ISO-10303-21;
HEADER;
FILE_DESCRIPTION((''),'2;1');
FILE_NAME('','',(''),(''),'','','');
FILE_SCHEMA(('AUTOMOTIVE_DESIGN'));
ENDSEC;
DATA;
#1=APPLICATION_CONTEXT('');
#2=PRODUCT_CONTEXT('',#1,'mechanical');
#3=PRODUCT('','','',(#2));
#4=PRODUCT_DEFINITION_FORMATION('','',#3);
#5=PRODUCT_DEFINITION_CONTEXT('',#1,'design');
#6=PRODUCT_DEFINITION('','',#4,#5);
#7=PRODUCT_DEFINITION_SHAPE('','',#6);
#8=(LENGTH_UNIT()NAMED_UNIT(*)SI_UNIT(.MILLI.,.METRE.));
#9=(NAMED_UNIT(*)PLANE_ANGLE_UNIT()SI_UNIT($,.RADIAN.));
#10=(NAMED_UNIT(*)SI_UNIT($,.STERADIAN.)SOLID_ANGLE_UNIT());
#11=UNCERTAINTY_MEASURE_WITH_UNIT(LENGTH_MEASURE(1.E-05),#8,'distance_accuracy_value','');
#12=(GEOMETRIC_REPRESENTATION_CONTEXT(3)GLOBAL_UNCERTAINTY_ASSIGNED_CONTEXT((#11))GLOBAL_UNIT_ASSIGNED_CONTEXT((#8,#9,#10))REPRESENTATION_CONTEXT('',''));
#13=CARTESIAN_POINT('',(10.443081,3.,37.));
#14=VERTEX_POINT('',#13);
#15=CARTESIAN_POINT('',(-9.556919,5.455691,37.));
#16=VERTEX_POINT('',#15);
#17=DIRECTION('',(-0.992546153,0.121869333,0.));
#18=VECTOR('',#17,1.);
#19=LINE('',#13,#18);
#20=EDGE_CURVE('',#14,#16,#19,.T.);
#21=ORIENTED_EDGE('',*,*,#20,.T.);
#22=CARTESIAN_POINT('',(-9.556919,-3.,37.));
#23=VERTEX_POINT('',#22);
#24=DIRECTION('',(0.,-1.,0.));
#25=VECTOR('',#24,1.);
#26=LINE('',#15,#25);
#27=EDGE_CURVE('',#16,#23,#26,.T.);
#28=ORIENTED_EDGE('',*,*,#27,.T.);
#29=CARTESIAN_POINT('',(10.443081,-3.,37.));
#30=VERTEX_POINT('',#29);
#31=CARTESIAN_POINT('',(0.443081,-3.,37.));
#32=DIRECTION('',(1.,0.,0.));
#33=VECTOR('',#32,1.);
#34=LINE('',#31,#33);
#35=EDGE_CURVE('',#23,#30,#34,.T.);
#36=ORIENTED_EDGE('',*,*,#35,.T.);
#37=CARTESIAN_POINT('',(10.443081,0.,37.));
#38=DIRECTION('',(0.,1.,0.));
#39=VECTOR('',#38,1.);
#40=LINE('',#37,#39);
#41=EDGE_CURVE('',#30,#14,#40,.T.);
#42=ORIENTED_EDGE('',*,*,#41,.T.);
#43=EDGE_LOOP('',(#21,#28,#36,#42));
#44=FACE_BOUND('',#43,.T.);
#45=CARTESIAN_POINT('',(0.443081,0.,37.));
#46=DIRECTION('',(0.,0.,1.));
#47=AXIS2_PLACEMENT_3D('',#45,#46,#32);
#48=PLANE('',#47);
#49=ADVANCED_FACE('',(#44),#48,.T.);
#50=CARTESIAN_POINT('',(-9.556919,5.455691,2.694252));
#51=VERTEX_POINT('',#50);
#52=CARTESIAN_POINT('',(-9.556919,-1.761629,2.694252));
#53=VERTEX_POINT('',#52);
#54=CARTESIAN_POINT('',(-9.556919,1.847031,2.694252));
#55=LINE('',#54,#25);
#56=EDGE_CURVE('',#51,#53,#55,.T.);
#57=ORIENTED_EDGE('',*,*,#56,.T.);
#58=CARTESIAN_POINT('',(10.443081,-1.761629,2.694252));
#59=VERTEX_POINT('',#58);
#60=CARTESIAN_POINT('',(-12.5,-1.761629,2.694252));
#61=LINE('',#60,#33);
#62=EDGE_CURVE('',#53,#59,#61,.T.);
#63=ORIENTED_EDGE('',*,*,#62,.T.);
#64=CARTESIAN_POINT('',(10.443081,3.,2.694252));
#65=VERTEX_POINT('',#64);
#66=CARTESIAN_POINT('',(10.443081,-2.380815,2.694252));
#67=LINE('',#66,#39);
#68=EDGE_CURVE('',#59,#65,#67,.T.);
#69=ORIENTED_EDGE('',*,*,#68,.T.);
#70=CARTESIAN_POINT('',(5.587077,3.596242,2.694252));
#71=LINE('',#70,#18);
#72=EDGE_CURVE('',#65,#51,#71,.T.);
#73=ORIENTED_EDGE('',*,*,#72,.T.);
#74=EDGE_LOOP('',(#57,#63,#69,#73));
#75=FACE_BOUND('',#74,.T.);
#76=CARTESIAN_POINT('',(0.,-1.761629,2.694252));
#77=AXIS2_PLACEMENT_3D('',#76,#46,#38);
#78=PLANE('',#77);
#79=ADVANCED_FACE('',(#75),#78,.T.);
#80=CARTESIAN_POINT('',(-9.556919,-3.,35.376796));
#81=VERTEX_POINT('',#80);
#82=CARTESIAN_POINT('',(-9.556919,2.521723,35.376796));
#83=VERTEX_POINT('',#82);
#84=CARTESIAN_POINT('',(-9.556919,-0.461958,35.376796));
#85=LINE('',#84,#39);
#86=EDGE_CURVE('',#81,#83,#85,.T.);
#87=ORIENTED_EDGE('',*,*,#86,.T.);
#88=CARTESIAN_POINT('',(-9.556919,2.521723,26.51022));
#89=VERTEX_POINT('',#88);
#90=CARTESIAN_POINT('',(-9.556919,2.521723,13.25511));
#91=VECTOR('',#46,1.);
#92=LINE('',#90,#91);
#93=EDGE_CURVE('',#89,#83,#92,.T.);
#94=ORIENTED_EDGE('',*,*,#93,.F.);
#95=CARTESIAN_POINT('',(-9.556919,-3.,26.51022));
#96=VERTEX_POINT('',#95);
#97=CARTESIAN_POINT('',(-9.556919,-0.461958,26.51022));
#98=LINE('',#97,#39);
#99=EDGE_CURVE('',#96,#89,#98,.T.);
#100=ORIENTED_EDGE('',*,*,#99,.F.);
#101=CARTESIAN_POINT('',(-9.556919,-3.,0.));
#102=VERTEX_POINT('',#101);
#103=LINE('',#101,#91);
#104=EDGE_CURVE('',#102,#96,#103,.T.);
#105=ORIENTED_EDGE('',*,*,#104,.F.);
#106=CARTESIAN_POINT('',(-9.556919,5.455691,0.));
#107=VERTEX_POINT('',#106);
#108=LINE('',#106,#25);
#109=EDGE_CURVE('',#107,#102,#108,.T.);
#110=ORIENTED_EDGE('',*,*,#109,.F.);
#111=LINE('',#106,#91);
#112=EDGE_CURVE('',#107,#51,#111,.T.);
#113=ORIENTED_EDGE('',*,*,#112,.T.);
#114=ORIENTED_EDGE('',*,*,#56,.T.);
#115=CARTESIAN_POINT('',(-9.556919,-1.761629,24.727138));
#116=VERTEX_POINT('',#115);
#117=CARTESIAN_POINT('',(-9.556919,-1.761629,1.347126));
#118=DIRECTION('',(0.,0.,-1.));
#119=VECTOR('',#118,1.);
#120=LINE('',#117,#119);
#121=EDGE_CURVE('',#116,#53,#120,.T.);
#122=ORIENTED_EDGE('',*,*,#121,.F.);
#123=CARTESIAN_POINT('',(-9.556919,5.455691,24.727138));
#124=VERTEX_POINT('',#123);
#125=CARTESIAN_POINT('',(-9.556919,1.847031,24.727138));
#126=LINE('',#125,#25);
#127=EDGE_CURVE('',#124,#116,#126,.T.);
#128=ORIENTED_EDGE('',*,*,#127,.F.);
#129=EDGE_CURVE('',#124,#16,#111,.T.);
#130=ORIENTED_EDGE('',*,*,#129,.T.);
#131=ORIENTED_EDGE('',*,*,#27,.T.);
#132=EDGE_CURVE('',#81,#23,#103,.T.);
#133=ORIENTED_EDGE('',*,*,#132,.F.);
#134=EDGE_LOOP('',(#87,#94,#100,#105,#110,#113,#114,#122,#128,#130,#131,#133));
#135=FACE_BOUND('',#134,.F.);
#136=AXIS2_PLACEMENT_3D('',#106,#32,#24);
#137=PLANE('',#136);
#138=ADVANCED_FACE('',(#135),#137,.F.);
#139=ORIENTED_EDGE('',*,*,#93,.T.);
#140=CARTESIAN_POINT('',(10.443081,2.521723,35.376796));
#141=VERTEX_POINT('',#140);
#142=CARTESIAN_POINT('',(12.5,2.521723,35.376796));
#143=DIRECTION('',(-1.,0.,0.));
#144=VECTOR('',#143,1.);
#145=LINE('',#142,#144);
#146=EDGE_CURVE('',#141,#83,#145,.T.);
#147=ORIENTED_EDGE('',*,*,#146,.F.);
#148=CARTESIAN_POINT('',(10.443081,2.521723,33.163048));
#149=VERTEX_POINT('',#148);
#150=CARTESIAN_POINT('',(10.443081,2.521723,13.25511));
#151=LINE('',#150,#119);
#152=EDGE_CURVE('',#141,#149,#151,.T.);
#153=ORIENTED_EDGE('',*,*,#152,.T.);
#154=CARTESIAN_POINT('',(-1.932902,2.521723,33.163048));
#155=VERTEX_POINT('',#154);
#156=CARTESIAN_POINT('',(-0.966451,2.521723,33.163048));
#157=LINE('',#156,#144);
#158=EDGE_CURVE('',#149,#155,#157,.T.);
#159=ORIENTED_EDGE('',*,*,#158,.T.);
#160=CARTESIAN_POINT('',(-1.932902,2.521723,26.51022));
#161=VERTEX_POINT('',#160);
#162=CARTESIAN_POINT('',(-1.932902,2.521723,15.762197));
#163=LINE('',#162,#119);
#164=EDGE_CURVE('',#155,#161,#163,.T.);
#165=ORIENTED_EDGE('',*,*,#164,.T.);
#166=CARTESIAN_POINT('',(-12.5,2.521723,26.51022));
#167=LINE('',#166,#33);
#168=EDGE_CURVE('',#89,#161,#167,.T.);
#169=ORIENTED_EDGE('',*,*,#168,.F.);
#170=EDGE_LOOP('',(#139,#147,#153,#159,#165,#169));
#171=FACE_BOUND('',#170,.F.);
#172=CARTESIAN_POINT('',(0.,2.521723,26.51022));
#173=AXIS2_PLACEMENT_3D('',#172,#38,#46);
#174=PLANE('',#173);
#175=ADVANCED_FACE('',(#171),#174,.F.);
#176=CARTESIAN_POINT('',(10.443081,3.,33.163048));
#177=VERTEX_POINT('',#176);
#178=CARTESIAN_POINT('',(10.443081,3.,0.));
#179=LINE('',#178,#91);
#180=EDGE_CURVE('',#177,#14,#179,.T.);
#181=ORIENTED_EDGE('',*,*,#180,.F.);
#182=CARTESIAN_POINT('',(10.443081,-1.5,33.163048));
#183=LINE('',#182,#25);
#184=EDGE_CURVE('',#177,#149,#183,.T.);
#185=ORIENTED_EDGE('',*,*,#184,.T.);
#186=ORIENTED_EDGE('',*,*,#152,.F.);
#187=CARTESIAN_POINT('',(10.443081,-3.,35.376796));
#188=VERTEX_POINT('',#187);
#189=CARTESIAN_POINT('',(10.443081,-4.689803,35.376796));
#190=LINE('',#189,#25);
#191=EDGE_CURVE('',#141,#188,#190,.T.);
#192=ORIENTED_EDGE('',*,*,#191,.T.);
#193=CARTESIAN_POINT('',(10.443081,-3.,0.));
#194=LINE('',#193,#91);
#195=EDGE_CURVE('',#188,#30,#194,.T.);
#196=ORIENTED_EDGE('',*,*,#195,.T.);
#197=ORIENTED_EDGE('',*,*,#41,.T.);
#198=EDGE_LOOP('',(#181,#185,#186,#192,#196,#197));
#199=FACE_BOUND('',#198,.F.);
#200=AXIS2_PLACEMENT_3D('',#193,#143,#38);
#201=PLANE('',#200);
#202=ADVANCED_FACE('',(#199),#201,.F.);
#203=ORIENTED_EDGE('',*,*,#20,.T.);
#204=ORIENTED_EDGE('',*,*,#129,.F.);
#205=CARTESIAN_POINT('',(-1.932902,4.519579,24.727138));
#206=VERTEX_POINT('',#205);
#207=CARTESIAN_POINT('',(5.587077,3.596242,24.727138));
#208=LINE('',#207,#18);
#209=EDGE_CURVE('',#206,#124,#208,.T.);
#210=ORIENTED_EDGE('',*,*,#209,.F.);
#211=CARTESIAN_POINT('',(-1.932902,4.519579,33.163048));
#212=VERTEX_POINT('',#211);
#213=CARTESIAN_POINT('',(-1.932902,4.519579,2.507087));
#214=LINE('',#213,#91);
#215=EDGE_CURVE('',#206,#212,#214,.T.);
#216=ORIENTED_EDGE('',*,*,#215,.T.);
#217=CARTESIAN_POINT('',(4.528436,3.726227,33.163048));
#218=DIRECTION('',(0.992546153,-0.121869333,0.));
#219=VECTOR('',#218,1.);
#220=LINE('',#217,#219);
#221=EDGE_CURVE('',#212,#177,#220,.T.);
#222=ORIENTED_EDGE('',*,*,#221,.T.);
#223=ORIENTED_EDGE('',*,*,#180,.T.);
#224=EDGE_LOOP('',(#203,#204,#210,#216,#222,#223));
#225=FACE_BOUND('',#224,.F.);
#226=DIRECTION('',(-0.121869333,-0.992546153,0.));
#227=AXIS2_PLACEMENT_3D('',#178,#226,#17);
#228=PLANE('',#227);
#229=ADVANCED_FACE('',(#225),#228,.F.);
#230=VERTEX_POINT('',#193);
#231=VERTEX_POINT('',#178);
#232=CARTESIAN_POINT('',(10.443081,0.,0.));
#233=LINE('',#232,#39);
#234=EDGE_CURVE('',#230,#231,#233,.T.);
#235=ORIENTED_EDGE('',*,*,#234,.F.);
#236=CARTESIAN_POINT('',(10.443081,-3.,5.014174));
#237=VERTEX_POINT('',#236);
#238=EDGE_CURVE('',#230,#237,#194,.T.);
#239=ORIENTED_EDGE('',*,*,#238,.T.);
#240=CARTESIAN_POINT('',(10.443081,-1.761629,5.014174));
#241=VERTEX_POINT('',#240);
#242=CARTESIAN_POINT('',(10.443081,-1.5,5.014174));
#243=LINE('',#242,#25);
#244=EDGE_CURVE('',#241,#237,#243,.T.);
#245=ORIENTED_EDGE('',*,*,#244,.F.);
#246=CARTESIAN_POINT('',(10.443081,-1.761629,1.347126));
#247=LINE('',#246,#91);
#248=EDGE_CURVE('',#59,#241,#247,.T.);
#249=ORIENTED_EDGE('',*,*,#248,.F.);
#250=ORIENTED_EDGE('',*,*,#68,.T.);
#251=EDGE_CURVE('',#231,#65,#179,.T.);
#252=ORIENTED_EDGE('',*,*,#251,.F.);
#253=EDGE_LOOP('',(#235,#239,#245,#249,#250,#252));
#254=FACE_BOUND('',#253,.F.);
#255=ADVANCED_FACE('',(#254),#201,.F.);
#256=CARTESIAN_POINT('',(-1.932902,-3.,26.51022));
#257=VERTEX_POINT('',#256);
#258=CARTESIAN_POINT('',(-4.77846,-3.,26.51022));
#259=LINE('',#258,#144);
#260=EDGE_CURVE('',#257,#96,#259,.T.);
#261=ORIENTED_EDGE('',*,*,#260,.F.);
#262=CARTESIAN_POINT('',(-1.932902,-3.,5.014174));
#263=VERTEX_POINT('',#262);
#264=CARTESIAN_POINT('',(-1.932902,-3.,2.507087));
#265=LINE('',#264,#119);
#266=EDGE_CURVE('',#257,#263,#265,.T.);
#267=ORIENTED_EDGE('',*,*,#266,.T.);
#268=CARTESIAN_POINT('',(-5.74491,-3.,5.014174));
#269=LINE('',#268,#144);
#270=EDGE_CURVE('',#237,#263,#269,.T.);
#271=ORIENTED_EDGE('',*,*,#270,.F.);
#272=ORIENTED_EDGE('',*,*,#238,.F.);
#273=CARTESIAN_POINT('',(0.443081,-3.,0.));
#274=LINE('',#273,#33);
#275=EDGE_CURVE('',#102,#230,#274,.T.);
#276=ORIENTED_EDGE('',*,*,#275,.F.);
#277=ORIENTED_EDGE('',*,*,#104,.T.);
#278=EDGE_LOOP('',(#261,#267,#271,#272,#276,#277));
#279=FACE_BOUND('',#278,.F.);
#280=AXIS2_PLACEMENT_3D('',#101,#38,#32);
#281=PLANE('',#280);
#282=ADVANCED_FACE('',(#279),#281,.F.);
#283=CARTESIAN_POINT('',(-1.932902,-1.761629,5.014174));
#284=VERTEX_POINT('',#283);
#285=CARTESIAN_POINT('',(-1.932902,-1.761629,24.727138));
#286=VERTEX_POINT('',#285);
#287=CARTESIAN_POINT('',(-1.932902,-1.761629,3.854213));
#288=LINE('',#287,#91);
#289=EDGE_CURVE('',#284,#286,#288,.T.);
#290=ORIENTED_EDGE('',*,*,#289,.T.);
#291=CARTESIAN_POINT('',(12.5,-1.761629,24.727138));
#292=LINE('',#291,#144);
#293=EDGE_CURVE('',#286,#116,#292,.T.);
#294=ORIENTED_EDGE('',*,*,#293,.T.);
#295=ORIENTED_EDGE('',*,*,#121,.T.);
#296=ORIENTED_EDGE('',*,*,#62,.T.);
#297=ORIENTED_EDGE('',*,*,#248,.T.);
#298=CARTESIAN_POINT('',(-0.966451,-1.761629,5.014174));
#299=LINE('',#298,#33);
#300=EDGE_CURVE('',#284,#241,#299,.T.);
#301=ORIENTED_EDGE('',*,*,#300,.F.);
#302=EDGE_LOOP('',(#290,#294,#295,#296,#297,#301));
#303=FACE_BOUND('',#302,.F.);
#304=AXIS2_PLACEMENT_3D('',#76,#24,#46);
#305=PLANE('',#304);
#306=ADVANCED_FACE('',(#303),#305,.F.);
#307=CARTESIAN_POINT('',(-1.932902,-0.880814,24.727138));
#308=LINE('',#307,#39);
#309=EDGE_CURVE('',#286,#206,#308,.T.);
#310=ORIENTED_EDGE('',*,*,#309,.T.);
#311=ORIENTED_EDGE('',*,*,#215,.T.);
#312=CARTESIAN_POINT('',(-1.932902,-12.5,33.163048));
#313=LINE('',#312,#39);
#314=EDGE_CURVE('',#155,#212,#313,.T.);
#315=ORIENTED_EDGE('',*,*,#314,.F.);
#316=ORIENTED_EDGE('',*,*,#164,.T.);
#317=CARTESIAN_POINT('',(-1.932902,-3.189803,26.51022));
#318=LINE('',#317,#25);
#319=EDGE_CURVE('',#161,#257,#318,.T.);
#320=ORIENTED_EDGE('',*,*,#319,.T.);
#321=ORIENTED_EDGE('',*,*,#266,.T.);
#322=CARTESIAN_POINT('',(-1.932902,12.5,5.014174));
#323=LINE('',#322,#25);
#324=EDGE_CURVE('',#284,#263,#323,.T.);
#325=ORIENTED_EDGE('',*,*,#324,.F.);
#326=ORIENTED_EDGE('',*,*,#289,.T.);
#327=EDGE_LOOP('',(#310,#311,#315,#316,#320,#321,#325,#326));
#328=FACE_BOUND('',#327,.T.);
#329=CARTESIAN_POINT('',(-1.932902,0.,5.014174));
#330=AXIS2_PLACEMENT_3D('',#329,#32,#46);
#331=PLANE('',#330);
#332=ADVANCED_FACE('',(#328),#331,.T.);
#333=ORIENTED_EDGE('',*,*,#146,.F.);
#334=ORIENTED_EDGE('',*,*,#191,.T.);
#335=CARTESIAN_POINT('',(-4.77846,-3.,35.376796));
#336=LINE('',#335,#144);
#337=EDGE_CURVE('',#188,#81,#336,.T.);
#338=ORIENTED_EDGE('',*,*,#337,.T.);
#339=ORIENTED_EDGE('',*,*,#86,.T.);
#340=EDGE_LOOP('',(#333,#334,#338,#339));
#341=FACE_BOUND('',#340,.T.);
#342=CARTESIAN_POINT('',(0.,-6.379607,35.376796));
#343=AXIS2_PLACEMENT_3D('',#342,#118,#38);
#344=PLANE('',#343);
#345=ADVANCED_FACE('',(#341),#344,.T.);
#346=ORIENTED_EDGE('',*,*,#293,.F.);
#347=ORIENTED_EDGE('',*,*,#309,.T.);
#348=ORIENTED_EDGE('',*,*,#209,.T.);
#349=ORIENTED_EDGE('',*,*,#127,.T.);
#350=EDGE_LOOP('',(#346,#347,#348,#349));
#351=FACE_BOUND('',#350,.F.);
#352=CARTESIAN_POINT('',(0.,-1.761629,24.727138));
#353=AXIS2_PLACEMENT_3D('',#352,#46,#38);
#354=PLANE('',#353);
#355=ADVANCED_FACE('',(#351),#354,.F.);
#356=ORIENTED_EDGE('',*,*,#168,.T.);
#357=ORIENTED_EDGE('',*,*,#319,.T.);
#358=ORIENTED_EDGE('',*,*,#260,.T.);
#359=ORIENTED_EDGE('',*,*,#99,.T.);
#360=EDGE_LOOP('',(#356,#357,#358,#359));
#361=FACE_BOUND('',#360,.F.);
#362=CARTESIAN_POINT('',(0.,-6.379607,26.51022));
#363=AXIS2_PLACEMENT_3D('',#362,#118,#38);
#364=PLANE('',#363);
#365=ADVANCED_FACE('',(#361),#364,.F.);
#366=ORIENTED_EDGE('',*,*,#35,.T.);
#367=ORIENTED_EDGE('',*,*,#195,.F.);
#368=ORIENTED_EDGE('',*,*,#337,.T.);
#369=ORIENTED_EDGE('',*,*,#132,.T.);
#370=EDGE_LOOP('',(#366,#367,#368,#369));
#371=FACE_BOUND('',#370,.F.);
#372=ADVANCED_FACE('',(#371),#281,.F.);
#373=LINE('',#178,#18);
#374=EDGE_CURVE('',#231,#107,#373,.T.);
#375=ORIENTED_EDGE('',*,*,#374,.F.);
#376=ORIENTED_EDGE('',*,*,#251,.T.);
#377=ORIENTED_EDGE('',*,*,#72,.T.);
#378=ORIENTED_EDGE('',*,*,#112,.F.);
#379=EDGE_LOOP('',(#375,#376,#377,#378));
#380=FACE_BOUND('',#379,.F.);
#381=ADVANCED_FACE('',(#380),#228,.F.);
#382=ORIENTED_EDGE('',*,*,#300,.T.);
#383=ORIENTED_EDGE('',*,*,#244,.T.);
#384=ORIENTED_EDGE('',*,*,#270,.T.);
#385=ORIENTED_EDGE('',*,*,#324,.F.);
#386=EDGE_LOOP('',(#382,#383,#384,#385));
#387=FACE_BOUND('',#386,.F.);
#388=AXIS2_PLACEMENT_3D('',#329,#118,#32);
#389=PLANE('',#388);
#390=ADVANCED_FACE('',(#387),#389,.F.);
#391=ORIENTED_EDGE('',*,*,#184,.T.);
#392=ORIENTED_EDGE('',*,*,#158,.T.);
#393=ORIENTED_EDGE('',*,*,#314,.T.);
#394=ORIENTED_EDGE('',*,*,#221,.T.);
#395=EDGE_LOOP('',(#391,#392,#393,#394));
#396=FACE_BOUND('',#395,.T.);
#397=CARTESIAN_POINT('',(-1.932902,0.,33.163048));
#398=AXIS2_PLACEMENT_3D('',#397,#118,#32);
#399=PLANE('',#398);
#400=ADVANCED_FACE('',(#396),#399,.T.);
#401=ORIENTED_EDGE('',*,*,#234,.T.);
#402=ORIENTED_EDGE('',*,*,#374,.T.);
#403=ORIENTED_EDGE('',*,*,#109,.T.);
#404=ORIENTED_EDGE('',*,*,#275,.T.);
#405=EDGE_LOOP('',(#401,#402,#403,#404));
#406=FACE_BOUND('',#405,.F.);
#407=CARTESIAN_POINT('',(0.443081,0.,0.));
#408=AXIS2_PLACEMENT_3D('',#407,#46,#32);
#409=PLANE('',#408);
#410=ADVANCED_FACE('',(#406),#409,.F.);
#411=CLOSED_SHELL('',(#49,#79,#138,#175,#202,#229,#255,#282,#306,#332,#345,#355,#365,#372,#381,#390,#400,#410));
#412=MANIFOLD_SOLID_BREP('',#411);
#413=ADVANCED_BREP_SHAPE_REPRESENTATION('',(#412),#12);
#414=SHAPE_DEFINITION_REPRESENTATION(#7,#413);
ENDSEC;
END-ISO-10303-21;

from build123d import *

# Parameters (mm, degrees)
F0_W     = 20
F0_H     = 6
F1_DEPTH = 37
F2_W     = 13.574068
F2_H     = 22.032887
F2_W_2   = 8.901329
F2_H_2   = 8.866575
F3_DEPTH = 12.5
F4_W     = 22.673105
F4_H     = 28.148874
F5_DEPTH = 12.5


with BuildPart() as f1:
    # F0 (on Top) → F1 (new body)
    with BuildSketch(Plane.XY):
        with Locations((0.443081, 0)):
            Rectangle(F0_W, F0_H)
        Polygon((-9.556919, 3), (10.443081, 3), (-9.556919, 5.455691), align=None)
    extrude(amount=F1_DEPTH)

    # F2 (on Right) → F3 (cut, symmetric)
    with BuildSketch(Plane.YZ):
        with Locations((5.025405, 13.710695)):
            Rectangle(F2_W, F2_H)
        with Locations((-1.928942, 30.943508)):
            Rectangle(F2_W_2, F2_H_2)
    extrude(amount=F3_DEPTH, both=True, mode=Mode.SUBTRACT)

    # F4 (on Front) → F5 (cut, symmetric)
    with BuildSketch(Plane.XZ):
        with Locations((9.403651, 19.088611)):
            Rectangle(F4_W, F4_H)
    extrude(amount=F5_DEPTH, both=True, mode=Mode.SUBTRACT)


solid = f1.part
